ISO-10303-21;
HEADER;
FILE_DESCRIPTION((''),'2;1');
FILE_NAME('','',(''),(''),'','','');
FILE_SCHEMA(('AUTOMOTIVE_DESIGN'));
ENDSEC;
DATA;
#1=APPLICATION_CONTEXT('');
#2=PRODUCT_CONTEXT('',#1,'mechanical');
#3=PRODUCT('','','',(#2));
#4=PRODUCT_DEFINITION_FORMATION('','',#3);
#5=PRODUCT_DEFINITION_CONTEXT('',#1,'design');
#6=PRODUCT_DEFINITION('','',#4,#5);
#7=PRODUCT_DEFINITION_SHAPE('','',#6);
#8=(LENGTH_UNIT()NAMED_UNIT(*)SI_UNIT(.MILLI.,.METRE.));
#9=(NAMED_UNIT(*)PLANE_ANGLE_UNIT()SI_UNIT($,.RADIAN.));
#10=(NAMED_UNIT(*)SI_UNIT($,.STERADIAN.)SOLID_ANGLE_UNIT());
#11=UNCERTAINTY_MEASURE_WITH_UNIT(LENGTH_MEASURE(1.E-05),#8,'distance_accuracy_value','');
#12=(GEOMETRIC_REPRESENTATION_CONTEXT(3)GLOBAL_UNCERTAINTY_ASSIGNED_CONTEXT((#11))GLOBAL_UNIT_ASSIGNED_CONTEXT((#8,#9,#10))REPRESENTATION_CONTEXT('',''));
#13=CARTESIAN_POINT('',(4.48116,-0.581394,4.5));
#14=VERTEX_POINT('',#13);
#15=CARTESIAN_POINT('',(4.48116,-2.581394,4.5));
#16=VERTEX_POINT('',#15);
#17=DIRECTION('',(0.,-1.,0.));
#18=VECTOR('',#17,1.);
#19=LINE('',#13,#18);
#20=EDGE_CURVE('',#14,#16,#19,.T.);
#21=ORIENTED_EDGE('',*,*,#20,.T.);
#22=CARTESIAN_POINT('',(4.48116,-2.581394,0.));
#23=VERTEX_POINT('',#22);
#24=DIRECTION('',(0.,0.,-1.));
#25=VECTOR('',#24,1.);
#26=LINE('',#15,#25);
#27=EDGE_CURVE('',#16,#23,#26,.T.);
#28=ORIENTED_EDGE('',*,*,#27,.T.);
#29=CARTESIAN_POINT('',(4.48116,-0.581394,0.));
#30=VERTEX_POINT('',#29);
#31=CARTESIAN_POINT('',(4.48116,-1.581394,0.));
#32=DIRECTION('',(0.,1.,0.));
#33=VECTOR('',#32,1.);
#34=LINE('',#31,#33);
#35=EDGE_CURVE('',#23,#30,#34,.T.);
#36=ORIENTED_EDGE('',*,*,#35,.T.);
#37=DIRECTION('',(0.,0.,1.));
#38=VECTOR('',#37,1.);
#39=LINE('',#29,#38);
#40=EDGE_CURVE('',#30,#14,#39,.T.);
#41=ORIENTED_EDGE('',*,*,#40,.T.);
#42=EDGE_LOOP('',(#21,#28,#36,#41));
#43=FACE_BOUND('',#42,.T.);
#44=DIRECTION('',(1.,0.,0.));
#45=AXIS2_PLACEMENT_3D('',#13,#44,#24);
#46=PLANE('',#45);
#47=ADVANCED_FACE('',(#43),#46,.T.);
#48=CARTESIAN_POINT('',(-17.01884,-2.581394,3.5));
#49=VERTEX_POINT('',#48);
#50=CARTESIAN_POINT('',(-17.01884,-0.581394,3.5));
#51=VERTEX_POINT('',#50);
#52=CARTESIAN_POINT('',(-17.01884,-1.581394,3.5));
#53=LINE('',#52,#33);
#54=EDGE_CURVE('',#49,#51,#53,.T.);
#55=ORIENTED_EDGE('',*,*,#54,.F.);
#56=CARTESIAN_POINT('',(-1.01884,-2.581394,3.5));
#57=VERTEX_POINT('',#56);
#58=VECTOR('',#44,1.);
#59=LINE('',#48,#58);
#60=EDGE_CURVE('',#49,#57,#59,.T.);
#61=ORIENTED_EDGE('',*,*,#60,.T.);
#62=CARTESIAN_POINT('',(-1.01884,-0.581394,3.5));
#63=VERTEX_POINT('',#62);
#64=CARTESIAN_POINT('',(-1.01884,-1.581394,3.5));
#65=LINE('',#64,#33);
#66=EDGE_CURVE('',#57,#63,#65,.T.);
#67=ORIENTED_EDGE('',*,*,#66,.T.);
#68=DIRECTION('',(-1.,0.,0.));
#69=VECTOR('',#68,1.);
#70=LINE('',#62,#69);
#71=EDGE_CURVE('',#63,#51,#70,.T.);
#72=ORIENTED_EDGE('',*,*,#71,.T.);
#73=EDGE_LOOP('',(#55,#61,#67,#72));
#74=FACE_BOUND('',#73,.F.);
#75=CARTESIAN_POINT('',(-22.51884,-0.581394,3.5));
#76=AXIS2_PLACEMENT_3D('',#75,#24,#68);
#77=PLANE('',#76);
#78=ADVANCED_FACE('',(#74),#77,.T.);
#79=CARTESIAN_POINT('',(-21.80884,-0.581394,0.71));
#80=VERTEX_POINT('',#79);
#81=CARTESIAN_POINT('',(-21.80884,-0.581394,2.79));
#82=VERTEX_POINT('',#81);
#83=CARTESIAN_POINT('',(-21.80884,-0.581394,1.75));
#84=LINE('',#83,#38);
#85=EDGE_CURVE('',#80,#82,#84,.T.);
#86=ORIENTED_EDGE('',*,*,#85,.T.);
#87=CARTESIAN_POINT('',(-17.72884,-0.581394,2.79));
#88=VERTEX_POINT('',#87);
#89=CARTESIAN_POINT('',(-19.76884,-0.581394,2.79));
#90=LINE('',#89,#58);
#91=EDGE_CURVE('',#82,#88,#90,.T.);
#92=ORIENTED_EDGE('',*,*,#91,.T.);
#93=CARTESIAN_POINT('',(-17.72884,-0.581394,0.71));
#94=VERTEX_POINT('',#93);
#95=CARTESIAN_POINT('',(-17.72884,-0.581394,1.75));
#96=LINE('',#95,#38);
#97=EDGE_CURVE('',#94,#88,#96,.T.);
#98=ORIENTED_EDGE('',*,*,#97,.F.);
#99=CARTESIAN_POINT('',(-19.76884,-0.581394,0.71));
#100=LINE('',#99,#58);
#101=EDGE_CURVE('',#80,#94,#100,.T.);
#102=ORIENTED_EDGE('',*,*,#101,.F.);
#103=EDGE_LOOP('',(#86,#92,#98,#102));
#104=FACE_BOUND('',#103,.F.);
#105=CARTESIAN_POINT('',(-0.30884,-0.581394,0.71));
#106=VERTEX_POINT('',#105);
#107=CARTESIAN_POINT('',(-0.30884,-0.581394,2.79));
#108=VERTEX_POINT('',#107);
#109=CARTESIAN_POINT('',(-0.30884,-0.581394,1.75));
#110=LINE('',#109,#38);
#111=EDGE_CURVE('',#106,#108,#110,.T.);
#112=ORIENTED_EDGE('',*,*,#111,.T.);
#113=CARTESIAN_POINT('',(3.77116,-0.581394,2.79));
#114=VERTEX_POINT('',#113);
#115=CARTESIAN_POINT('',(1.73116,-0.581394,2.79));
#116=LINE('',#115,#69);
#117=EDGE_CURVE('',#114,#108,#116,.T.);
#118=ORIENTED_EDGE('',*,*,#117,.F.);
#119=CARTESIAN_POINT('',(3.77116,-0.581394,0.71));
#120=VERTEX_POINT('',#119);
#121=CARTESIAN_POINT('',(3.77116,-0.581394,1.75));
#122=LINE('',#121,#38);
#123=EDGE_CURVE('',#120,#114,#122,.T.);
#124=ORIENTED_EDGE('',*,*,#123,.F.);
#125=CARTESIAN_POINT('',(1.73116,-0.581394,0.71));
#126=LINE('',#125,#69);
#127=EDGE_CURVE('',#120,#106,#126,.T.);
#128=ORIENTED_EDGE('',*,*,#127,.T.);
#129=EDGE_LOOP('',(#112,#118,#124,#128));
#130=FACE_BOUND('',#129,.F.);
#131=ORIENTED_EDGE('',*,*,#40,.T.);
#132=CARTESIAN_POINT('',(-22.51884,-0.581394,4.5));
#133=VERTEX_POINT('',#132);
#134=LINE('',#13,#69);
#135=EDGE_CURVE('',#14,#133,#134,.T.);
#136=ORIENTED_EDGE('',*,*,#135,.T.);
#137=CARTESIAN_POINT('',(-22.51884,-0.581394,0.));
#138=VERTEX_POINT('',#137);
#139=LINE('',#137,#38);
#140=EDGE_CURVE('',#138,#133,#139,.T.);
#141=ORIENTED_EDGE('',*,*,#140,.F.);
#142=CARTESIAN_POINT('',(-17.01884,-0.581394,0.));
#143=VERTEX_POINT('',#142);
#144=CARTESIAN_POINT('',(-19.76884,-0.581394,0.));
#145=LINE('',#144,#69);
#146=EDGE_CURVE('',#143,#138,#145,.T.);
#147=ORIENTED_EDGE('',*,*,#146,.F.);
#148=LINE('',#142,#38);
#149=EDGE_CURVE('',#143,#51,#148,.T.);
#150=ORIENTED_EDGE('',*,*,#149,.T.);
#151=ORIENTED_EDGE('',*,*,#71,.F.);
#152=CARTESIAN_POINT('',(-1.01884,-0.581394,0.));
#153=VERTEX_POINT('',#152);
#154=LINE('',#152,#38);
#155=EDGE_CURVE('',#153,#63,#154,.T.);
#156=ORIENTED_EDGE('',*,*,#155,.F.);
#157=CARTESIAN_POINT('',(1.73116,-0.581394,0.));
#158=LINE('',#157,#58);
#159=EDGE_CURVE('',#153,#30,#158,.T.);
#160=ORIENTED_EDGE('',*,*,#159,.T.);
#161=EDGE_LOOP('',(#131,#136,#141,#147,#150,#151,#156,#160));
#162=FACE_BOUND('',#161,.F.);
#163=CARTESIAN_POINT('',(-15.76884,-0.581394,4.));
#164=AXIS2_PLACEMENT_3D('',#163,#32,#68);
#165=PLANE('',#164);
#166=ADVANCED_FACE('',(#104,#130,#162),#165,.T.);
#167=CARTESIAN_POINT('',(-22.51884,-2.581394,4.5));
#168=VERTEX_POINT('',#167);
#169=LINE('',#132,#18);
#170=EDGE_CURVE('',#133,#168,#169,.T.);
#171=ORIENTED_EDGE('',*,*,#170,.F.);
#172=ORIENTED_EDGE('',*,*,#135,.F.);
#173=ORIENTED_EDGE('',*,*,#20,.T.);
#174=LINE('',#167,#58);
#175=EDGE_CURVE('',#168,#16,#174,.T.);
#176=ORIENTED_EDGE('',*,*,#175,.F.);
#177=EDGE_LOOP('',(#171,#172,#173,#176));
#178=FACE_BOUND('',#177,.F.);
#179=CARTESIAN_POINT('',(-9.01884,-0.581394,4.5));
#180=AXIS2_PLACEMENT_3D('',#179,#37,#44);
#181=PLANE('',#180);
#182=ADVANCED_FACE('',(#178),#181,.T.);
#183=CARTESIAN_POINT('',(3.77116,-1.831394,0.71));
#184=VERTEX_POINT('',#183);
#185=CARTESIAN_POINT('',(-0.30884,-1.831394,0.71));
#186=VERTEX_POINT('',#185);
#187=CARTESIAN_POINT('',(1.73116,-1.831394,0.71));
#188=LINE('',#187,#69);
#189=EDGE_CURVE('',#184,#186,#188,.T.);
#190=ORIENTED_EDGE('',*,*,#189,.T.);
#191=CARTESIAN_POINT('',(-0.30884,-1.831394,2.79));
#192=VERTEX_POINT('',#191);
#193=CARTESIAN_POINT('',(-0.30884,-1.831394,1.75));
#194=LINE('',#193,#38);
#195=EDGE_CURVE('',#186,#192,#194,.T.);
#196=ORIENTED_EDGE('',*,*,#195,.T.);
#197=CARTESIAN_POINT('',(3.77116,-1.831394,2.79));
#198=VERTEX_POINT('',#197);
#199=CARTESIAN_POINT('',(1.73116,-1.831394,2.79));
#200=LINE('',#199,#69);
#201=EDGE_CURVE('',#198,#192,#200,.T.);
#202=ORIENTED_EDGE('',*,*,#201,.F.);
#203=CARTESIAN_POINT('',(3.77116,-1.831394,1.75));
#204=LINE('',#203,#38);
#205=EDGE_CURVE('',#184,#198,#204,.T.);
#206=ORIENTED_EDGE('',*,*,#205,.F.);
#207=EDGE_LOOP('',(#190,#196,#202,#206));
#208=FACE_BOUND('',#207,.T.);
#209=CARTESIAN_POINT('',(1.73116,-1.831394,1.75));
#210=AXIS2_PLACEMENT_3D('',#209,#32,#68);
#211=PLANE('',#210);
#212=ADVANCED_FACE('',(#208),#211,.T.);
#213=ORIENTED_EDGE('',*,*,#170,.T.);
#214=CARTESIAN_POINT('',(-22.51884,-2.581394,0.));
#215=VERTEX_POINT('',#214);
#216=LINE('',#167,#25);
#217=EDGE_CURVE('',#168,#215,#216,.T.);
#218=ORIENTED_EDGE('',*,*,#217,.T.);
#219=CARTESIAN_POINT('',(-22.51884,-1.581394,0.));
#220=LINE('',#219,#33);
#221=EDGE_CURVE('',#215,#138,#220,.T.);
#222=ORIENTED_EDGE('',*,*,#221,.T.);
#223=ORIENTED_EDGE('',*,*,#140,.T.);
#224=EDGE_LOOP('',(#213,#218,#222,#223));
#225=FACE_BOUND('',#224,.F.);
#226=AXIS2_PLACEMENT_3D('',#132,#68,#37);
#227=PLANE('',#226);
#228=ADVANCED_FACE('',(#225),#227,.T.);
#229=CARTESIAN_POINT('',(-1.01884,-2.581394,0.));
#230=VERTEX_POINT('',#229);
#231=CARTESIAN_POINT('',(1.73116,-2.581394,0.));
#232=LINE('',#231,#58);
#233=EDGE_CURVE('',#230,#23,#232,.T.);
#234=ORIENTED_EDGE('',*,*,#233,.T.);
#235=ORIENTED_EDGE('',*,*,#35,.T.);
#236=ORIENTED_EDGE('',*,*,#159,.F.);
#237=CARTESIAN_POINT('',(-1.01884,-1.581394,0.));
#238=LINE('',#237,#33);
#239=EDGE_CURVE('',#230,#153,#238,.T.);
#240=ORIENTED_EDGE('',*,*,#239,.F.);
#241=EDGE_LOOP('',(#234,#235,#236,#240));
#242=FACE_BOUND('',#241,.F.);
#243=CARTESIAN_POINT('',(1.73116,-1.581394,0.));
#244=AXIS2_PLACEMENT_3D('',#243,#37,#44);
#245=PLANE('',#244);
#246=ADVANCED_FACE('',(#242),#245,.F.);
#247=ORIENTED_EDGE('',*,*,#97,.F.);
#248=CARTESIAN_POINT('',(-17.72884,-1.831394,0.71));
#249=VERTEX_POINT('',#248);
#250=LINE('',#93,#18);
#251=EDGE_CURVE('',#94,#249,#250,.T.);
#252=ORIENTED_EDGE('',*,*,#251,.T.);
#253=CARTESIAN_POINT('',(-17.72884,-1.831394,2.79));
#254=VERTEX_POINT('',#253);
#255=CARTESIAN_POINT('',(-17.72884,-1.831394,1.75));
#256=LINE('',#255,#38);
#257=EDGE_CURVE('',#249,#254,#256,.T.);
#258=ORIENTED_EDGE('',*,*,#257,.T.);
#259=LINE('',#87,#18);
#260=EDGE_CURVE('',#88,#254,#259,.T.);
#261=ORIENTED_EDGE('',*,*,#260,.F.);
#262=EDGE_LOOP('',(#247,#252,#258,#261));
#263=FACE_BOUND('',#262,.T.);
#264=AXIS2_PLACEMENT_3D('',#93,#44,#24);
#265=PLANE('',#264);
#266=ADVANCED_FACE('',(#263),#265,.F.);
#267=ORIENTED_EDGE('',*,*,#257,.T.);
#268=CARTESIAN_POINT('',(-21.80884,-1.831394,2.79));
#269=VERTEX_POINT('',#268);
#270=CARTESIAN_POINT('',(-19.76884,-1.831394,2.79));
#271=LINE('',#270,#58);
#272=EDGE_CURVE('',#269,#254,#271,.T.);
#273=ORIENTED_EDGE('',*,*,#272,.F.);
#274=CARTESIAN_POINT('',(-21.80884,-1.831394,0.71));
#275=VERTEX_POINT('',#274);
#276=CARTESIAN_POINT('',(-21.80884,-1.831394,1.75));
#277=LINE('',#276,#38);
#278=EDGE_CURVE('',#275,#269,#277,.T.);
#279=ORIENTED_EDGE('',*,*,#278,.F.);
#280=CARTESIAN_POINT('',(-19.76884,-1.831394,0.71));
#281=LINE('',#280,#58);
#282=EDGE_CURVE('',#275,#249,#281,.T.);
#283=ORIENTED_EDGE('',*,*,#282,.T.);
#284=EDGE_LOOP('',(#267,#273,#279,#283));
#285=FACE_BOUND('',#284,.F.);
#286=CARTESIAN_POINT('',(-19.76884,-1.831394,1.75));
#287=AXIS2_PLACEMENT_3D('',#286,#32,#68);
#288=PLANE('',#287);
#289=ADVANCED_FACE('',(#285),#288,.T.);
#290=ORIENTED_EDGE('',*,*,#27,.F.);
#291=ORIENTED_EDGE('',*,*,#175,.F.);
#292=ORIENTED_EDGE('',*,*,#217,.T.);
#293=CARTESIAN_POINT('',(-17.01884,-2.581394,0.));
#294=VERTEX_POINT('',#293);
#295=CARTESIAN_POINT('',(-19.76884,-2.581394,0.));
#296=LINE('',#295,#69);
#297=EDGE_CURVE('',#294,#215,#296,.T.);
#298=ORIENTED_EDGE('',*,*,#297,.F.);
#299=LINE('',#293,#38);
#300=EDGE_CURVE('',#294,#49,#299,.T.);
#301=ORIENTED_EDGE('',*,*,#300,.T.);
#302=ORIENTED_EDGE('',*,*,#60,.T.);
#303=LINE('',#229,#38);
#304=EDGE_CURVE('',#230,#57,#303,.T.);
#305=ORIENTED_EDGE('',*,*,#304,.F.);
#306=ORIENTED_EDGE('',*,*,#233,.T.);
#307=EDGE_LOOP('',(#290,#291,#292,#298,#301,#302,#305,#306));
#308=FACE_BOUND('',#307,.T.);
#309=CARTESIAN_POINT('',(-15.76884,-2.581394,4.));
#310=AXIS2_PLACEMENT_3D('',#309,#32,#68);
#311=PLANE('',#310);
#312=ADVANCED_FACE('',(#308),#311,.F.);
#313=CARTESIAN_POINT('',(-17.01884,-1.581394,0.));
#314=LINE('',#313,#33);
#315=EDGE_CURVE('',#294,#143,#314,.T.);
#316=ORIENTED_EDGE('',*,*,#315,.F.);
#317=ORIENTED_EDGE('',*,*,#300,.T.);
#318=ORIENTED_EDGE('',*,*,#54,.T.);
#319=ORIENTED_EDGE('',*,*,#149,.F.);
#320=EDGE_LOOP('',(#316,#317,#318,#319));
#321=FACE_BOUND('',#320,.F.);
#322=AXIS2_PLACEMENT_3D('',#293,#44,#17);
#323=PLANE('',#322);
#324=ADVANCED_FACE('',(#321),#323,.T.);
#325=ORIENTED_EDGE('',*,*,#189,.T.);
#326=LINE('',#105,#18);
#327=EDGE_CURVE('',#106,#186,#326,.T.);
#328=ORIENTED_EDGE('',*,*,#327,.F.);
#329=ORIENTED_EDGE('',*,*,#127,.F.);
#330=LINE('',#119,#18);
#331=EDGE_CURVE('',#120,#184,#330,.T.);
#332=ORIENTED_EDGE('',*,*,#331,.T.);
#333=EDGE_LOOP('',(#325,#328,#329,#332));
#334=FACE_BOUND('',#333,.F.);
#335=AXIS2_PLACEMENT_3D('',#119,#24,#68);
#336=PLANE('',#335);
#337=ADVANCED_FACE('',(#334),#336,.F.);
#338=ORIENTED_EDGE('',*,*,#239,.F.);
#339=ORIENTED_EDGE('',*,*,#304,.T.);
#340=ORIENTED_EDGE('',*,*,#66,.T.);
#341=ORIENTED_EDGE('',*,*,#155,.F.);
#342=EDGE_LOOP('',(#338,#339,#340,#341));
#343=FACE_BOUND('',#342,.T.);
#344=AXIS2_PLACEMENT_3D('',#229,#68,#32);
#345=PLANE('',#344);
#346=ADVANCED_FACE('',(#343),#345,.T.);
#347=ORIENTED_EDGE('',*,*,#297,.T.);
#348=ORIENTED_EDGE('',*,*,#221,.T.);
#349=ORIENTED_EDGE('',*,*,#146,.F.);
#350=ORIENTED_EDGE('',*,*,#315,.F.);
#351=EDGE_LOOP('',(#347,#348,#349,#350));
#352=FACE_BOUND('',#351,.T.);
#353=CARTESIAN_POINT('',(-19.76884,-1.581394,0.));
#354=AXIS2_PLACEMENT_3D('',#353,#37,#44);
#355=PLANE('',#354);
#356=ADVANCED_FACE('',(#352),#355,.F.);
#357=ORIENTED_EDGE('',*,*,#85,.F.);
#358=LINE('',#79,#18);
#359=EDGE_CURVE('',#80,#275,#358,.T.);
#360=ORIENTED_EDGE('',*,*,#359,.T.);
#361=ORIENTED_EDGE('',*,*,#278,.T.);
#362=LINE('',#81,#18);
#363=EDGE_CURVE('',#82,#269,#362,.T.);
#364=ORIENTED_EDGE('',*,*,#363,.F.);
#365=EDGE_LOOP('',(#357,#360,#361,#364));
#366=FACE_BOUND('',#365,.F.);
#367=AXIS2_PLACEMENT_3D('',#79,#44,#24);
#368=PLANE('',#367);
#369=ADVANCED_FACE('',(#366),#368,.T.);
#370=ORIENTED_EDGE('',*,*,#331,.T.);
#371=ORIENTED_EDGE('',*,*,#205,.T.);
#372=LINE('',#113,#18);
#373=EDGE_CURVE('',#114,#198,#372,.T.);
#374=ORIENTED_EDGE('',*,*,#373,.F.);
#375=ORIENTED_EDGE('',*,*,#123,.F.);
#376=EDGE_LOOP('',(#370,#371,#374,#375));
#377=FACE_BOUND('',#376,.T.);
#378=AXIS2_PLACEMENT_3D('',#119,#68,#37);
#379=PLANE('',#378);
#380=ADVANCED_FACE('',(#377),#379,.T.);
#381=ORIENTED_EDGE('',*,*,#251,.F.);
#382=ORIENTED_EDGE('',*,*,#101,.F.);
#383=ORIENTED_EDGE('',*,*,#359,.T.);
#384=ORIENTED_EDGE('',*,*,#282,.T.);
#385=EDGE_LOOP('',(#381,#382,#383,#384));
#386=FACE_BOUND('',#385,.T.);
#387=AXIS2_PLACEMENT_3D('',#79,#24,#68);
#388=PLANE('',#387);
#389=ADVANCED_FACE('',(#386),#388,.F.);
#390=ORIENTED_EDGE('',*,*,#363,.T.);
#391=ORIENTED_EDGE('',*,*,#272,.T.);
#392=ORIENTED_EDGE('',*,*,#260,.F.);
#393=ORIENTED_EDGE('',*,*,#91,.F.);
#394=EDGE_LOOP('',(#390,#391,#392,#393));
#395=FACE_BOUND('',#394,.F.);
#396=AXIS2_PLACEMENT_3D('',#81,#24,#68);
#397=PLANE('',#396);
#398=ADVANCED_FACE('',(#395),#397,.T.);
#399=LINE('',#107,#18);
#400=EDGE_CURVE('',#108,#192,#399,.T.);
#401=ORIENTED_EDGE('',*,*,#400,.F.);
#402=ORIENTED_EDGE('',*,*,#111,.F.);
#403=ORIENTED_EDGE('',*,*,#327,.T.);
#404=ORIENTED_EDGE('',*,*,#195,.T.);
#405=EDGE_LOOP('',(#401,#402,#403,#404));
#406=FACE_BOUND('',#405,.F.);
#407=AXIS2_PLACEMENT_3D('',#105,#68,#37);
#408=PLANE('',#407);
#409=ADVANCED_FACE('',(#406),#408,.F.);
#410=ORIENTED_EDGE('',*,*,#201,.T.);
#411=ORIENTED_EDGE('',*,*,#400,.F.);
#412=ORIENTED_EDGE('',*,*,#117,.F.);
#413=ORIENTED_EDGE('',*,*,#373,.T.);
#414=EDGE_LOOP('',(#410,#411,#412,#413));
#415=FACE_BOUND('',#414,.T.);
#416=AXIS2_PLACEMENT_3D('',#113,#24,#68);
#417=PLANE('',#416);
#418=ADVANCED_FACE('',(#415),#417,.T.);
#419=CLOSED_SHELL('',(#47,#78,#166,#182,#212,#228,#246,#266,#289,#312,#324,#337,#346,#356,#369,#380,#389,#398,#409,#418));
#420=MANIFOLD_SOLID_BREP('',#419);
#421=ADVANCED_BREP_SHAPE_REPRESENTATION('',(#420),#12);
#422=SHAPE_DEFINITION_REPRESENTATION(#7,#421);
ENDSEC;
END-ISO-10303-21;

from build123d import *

# Parameters (mm, degrees)
F0_W     = 5.5
F0_H     = 2
F1_DEPTH = 3.5
F2_W     = 4.080000014
F2_H     = 2.080000014
F3_DEPTH = 1.25
F5_DEPTH = 2


with BuildPart() as f1:
    # F0 (on Top) → F1 (new body)
    with BuildSketch(Plane.XY):
        with Locations((1.7311600968, -1.5813936108)):
            Rectangle(F0_W, F0_H)
    extrude(amount=F1_DEPTH)

    # F2 (on face) → F3 (cut, through all)
    with BuildSketch(Plane(origin=(0, -0.5813936108, 0), x_dir=(-1, 0, 0), z_dir=(0, 1, 0))):
        with Locations((-1.7311600968, 1.75)):
            Rectangle(F2_W, F2_H)
    extrude(amount=-F3_DEPTH, mode=Mode.SUBTRACT)

    # F4 (on face) → F5 (join, through all)
    with BuildSketch(Plane(origin=(0, -0.5813936108, 0), x_dir=(-1, 0, 0), z_dir=(0, 1, 0))):
        Polygon((-4.4811600968, 4.5), (-4.4811600968, 3.5), (1.0188399032, 3.5), (9.0188399032, 3.5), (9.0188399032, 4.5), align=None)
    extrude(amount=-F5_DEPTH)

    # F6: F1 across face


with BuildPart() as f1_1:
    add(f1.part)
    add(f1.part.mirror(Plane(origin=(-9.0188399032, -1.5813936108, 4), x_dir=(0, -1, 0), z_dir=(-1, 0, 0))))


solid = f1_1.part
